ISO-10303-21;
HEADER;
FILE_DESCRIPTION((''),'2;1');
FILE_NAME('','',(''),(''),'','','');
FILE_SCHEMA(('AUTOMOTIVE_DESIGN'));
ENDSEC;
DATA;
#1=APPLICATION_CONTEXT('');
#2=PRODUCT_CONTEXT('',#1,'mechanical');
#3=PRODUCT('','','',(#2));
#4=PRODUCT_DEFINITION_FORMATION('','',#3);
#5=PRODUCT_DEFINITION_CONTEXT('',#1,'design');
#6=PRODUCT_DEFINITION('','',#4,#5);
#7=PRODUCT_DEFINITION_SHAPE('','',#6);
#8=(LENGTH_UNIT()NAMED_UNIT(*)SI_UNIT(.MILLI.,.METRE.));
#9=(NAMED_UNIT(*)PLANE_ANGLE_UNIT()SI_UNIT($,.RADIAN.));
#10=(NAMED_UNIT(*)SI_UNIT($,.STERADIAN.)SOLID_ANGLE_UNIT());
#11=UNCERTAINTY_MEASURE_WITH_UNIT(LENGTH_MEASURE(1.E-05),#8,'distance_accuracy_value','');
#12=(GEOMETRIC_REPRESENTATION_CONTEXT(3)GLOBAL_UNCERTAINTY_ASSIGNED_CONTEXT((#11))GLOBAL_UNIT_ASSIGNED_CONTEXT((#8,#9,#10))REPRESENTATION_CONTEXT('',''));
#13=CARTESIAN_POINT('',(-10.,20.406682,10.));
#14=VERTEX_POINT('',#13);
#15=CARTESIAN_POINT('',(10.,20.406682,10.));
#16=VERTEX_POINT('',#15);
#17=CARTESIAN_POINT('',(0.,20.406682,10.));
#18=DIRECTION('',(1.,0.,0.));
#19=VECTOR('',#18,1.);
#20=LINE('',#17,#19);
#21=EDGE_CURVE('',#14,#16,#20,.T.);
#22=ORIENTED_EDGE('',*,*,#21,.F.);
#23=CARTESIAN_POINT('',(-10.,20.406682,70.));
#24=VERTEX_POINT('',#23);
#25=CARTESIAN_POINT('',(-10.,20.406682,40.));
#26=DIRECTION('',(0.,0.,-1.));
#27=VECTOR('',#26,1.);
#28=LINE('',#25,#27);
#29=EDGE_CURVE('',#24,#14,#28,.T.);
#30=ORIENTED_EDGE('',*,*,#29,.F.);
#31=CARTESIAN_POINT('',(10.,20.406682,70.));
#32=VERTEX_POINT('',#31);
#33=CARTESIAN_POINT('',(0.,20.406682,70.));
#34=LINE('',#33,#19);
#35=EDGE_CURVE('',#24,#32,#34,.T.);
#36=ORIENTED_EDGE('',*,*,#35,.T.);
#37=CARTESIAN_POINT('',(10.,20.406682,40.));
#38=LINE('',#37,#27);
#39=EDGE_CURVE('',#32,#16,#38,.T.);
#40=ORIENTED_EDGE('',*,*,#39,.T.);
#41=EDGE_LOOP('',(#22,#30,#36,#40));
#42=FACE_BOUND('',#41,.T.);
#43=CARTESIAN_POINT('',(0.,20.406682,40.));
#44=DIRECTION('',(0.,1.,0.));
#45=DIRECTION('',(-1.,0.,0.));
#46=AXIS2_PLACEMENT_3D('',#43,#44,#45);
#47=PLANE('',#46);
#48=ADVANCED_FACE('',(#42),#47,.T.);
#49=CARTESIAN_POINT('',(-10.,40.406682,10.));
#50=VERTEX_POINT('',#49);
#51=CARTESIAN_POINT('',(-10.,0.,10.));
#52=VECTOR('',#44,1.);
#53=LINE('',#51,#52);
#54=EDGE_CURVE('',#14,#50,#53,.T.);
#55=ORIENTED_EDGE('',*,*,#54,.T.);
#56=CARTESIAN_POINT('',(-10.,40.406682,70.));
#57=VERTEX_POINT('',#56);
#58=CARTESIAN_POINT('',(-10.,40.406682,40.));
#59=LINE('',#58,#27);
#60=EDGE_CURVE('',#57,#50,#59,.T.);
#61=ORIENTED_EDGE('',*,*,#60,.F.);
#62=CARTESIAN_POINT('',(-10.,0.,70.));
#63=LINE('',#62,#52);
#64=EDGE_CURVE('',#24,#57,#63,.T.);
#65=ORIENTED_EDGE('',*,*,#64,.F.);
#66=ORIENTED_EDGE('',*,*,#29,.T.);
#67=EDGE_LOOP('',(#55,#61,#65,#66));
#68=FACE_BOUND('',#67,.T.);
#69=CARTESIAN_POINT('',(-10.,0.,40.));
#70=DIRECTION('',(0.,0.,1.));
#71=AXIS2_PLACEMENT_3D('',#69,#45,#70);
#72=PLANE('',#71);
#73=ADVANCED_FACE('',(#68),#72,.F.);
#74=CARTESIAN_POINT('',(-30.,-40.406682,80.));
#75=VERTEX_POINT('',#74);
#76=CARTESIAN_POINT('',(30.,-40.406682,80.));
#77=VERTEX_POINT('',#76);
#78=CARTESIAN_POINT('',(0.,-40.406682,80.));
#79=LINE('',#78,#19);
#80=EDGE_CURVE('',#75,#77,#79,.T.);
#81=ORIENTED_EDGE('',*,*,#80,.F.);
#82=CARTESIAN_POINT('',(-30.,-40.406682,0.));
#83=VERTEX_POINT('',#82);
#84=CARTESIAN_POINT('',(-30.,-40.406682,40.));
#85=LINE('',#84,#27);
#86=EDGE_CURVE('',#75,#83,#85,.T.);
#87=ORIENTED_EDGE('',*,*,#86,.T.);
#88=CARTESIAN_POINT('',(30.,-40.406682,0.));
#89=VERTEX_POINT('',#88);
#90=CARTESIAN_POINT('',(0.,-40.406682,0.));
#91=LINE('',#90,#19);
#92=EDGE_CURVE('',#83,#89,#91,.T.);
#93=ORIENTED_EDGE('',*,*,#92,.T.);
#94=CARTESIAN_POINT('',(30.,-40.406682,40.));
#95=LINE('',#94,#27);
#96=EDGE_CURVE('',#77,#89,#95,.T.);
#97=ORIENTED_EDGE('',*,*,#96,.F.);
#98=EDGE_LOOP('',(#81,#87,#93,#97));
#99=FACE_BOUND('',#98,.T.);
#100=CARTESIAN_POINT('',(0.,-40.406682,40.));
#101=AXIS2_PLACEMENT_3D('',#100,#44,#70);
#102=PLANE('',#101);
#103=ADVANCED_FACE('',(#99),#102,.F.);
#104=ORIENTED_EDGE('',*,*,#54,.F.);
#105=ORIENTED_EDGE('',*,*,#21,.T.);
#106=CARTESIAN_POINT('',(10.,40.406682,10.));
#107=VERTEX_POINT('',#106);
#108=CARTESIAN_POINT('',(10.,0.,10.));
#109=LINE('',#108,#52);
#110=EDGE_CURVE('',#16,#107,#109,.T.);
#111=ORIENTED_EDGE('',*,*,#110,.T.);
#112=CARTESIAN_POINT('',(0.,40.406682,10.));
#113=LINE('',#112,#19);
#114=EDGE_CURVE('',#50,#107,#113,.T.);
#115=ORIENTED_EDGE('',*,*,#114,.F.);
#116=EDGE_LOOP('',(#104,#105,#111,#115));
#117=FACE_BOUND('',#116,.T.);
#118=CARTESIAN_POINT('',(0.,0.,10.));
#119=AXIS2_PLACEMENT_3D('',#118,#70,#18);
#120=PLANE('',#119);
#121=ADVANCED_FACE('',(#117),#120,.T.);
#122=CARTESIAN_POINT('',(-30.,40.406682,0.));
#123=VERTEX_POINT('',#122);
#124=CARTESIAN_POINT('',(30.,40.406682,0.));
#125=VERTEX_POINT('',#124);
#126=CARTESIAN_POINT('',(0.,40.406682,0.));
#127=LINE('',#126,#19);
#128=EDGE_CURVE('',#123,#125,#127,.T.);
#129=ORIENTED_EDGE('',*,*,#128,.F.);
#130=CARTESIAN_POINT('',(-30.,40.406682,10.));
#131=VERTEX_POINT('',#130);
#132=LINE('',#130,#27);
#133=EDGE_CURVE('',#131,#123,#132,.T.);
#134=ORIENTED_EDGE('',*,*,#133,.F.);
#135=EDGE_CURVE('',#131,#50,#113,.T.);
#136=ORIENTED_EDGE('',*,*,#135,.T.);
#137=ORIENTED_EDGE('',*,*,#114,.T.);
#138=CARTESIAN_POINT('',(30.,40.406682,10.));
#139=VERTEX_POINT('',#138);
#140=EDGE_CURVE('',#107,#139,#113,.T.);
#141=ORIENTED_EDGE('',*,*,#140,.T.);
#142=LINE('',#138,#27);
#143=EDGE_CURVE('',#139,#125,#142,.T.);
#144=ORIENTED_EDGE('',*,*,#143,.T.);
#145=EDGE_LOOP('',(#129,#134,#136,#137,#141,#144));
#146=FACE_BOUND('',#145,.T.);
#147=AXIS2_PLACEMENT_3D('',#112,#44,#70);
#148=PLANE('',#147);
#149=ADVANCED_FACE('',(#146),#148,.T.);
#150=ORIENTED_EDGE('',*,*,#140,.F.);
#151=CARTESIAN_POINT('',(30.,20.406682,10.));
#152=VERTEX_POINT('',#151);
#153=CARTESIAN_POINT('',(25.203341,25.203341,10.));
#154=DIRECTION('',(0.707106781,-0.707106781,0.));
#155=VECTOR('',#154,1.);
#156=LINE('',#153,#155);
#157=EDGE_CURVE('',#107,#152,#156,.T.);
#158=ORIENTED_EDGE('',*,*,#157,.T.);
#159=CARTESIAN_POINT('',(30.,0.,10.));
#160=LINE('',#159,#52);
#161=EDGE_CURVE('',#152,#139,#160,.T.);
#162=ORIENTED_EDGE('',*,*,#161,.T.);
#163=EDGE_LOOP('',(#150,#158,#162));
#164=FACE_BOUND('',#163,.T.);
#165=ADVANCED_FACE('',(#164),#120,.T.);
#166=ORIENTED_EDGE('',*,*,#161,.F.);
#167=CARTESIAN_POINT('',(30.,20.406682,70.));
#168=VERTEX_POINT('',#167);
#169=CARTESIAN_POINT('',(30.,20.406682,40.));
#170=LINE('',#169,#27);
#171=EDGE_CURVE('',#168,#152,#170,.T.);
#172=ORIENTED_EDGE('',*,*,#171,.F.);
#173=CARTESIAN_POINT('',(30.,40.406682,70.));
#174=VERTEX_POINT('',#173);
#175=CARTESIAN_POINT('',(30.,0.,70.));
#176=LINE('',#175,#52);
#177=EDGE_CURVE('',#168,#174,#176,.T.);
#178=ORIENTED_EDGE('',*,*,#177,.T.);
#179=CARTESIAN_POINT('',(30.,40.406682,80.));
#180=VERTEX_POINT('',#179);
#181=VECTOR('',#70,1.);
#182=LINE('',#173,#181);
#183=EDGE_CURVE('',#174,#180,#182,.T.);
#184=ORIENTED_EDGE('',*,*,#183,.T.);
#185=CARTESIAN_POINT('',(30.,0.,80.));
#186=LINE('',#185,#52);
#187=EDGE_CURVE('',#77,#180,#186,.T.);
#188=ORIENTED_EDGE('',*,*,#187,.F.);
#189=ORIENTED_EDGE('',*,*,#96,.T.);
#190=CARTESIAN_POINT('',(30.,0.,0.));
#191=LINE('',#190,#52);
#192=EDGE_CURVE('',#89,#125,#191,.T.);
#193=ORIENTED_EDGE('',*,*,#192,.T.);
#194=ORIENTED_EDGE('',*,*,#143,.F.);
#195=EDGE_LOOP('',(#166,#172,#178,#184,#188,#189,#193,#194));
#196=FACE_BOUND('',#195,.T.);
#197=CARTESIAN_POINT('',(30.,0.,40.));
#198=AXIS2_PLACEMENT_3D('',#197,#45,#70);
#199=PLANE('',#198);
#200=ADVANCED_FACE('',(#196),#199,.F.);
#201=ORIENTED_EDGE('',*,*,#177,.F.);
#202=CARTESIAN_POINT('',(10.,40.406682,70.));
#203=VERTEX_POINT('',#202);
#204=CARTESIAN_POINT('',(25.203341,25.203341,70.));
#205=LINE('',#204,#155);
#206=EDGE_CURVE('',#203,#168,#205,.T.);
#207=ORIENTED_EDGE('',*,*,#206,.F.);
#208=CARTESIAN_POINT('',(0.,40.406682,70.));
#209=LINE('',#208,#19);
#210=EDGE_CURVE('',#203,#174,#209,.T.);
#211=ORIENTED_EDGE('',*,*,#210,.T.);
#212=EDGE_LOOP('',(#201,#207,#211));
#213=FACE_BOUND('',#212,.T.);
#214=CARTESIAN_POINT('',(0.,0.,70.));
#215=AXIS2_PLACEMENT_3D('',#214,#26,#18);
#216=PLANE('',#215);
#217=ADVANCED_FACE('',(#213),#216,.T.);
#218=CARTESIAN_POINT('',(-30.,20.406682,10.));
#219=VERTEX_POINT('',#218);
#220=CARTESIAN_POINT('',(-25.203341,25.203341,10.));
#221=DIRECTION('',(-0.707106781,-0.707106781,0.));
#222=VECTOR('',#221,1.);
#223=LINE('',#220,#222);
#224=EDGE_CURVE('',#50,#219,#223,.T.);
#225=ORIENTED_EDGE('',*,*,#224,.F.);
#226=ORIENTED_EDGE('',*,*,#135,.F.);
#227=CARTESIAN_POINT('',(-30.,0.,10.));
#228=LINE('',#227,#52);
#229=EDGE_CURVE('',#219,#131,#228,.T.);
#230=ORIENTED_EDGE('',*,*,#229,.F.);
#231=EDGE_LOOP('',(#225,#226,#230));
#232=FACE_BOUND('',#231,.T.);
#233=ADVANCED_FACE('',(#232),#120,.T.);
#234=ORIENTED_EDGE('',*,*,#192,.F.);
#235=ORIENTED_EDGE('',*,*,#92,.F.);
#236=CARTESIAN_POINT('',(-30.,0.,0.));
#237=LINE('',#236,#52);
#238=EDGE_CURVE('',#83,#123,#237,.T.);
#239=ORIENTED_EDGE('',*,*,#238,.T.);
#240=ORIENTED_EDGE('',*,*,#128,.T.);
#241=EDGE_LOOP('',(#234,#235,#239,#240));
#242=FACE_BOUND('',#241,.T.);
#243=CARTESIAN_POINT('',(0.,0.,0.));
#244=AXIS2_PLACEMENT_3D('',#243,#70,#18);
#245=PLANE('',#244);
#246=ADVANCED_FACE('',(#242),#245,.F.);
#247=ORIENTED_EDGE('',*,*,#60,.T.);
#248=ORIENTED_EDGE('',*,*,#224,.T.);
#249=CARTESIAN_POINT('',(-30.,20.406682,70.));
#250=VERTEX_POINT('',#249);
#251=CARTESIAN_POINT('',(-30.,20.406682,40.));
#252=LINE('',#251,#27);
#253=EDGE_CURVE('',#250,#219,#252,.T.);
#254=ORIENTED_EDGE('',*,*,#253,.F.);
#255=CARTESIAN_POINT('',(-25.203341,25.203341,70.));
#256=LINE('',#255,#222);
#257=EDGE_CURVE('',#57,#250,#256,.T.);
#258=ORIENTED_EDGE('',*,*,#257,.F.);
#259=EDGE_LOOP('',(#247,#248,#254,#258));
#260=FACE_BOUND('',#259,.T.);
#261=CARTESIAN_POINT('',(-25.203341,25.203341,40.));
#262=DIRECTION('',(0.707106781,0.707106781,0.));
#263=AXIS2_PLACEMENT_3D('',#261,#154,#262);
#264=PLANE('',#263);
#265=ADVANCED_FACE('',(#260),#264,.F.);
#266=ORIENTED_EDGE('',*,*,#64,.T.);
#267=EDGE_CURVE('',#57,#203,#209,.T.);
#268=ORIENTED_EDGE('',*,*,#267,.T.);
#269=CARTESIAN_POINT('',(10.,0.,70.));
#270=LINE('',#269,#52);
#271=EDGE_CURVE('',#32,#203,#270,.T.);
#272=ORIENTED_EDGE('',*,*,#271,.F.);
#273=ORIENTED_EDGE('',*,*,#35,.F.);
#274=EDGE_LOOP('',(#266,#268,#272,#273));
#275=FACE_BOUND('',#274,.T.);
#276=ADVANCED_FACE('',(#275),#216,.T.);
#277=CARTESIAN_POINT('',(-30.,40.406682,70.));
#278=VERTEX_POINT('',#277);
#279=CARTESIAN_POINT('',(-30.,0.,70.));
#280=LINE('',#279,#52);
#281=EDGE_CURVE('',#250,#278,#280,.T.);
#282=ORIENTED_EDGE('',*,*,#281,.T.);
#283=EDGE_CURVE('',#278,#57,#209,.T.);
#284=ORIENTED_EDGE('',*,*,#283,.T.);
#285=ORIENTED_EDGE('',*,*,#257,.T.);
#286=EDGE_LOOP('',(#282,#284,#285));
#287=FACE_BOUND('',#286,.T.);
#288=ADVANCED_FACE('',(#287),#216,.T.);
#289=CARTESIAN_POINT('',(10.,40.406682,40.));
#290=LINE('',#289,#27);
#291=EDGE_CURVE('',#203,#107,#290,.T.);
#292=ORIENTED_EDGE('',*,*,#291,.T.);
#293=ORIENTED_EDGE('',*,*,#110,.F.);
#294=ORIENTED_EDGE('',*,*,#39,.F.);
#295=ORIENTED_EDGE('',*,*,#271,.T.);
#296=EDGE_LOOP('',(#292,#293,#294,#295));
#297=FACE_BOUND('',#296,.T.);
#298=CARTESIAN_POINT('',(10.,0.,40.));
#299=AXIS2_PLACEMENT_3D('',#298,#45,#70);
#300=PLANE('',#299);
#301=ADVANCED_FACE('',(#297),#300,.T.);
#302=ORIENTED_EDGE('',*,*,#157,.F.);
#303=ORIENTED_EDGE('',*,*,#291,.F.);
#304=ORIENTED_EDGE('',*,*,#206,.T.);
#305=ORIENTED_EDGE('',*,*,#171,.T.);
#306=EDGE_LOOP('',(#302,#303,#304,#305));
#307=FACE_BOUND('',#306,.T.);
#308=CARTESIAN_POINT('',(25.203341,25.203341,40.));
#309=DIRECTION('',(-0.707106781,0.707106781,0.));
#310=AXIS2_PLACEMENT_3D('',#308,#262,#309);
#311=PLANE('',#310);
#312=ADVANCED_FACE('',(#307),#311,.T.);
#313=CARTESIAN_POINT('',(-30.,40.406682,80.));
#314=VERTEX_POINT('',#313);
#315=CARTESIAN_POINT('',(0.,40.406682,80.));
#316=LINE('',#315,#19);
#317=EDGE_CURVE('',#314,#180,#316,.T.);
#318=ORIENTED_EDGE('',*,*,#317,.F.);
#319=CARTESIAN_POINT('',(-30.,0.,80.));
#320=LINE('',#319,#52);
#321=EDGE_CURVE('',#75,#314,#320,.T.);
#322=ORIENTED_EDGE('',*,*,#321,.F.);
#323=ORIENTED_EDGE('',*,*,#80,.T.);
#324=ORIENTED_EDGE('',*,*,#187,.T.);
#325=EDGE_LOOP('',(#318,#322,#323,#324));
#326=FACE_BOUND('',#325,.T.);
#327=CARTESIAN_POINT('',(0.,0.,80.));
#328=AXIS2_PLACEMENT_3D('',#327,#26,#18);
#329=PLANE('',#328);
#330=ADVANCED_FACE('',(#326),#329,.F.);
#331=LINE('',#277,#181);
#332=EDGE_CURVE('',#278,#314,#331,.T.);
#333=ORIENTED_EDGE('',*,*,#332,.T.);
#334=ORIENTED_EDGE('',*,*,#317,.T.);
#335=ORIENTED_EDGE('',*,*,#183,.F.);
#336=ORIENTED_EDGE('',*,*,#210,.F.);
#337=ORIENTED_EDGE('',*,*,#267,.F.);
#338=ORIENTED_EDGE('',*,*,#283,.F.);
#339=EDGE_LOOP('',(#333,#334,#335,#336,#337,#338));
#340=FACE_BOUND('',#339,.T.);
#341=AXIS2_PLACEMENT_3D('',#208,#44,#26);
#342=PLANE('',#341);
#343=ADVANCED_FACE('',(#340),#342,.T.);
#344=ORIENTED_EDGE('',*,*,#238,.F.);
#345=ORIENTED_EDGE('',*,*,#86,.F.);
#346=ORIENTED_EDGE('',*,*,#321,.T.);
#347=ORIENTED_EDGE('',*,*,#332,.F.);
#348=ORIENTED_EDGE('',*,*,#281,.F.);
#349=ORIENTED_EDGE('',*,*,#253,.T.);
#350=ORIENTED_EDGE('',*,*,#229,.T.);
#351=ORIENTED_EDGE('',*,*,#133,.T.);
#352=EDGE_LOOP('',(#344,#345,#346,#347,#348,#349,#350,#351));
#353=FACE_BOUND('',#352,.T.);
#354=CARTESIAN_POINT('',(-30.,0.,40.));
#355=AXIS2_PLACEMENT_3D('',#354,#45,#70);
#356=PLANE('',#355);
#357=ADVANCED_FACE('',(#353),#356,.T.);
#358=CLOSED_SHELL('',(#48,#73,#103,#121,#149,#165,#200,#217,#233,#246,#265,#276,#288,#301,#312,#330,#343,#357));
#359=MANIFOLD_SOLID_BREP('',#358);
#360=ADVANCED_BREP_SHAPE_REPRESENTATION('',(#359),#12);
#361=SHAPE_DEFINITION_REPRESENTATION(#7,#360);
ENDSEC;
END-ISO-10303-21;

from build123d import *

# Parameters (mm, degrees)
BOSS_EXTRUDE2_DEPTH = 40
SKETCH2_5_W         = 20
SKETCH2_5_H         = 20
BOSS_EXTRUDE3_DEPTH = 10


with BuildPart() as part:
    # Sketch2 → Boss-Extrude2 (new body)
    with BuildSketch(Plane.XY):
        Polygon((30, 20.406682394), (10, 40.406682394), (10, 20.406682394), (-10, 20.406682394), (-10, 40.406682394), (-30, 20.406682394), (-30, -40.406682394), (30, -40.406682394), align=None)
    extrude(amount=BOSS_EXTRUDE2_DEPTH)

    # Sketch2_5 → Boss-Extrude3 (add)
    with BuildSketch(Plane.XY):
        Polygon((-30, 20.406682394), (-10, 40.406682394), (-30, 40.406682394), align=None)
        with Locations((0, 30.406682394)):
            Rectangle(SKETCH2_5_W, SKETCH2_5_H)
        Polygon((30, 40.406682394), (10, 40.406682394), (30, 20.406682394), align=None)
    extrude(amount=BOSS_EXTRUDE3_DEPTH)

    # Mirror1: part across plane


with BuildPart() as part_1:
    add(part.part)
    add(part.part.mirror(Plane.XY.offset(40)))


solid = part_1.part
